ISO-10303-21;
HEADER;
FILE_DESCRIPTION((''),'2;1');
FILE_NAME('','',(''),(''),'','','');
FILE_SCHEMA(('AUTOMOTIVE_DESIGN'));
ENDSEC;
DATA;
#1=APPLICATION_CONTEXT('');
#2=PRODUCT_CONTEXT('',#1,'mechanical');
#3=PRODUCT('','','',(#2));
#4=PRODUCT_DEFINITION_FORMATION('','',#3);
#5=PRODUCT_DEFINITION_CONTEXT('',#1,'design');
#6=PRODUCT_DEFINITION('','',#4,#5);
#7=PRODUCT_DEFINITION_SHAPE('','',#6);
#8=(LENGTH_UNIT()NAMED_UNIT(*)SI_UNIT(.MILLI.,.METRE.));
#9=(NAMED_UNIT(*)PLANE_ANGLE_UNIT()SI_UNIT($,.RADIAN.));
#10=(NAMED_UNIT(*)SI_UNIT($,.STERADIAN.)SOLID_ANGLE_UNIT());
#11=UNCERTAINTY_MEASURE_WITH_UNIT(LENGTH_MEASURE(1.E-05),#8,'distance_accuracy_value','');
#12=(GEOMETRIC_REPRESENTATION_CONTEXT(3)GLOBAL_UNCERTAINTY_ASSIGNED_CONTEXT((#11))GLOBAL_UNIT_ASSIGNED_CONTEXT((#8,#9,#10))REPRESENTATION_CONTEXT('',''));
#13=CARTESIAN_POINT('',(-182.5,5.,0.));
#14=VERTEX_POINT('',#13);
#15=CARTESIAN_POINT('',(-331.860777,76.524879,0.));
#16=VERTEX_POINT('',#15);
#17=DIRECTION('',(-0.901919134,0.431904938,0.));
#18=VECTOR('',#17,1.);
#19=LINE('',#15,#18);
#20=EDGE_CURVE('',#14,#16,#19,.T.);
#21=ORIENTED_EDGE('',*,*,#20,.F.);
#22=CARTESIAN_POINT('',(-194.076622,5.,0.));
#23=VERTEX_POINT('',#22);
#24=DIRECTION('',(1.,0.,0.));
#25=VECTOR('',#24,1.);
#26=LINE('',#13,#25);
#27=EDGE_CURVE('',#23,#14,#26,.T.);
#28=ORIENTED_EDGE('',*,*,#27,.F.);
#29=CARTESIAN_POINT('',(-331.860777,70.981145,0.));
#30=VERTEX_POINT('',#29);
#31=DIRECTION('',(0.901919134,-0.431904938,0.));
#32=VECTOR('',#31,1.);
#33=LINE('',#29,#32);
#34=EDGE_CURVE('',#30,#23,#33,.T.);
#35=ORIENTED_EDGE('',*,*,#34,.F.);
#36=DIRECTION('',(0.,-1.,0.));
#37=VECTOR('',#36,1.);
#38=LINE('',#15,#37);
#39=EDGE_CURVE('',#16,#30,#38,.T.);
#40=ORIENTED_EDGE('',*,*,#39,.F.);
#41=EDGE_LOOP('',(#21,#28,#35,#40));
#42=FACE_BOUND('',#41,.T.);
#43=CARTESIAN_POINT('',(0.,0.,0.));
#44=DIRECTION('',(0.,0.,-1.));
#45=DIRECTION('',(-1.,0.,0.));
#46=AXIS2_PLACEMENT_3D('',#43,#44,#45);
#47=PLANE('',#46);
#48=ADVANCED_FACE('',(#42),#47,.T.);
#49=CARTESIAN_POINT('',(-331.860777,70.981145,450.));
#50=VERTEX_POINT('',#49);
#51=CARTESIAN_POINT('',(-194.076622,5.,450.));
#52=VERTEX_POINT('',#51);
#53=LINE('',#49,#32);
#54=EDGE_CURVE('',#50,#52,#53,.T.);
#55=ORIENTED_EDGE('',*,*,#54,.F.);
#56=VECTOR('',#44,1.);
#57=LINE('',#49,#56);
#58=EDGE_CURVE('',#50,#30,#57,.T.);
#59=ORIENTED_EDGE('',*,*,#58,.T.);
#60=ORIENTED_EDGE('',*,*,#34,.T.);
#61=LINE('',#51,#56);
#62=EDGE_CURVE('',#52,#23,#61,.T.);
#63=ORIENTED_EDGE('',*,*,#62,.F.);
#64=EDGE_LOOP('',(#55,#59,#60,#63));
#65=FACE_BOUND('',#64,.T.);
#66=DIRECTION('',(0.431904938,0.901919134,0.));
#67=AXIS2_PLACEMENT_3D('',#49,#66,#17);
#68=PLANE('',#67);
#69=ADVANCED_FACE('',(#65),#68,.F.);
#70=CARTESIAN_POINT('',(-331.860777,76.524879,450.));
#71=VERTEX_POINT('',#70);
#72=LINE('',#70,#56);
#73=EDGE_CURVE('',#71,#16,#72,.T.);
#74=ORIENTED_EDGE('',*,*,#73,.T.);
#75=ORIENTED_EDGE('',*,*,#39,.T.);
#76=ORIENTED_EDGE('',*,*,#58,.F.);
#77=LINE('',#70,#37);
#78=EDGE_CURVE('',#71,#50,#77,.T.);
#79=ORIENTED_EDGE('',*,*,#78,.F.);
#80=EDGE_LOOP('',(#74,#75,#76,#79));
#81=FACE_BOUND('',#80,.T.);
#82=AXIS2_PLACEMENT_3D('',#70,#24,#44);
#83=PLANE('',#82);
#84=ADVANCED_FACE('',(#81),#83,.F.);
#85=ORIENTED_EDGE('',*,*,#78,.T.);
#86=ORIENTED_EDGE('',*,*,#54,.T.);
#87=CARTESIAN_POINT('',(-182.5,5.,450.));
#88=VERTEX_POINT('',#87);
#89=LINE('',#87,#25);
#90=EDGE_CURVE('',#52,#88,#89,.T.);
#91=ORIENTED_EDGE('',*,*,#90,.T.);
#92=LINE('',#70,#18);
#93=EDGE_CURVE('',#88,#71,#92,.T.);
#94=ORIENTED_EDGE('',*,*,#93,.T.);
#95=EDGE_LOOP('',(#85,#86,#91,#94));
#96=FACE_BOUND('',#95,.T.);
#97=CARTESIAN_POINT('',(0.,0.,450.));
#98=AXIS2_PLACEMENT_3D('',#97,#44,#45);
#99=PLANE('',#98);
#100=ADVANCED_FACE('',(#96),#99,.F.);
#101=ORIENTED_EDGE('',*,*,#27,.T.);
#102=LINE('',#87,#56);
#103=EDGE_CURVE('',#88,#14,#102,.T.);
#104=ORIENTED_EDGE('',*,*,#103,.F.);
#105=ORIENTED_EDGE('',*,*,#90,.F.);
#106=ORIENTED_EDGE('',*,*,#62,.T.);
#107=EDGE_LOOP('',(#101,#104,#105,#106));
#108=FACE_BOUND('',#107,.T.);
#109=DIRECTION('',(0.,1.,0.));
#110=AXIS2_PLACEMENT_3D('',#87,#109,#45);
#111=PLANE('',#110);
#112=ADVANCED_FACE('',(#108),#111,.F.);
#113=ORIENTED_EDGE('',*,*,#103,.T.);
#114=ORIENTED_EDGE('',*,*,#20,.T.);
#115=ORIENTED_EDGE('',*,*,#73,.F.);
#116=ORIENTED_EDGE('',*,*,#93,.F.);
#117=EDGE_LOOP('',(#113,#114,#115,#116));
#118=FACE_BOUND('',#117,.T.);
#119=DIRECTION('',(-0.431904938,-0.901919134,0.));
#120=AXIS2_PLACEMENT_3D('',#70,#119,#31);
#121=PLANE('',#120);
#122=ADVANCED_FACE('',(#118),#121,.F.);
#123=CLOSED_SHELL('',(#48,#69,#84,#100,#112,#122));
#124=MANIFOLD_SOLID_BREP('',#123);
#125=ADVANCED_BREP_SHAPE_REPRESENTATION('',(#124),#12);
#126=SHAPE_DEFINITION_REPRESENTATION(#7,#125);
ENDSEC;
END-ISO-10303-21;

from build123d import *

# Parameters (mm, degrees)
AUFSATZ_LINEAR_AUSTRAGEN1_DEPTH = 450


with BuildPart() as part:
    # Skizze1 → Aufsatz-Linear austragen1 (new body)
    with BuildSketch(Plane.XY):
        Polygon((-331.860776555, 76.524878913), (-331.860776555, 70.981144659), (-194.076621532, 5), (-182.5, 5), align=None)
    extrude(amount=AUFSATZ_LINEAR_AUSTRAGEN1_DEPTH)


solid = part.part
